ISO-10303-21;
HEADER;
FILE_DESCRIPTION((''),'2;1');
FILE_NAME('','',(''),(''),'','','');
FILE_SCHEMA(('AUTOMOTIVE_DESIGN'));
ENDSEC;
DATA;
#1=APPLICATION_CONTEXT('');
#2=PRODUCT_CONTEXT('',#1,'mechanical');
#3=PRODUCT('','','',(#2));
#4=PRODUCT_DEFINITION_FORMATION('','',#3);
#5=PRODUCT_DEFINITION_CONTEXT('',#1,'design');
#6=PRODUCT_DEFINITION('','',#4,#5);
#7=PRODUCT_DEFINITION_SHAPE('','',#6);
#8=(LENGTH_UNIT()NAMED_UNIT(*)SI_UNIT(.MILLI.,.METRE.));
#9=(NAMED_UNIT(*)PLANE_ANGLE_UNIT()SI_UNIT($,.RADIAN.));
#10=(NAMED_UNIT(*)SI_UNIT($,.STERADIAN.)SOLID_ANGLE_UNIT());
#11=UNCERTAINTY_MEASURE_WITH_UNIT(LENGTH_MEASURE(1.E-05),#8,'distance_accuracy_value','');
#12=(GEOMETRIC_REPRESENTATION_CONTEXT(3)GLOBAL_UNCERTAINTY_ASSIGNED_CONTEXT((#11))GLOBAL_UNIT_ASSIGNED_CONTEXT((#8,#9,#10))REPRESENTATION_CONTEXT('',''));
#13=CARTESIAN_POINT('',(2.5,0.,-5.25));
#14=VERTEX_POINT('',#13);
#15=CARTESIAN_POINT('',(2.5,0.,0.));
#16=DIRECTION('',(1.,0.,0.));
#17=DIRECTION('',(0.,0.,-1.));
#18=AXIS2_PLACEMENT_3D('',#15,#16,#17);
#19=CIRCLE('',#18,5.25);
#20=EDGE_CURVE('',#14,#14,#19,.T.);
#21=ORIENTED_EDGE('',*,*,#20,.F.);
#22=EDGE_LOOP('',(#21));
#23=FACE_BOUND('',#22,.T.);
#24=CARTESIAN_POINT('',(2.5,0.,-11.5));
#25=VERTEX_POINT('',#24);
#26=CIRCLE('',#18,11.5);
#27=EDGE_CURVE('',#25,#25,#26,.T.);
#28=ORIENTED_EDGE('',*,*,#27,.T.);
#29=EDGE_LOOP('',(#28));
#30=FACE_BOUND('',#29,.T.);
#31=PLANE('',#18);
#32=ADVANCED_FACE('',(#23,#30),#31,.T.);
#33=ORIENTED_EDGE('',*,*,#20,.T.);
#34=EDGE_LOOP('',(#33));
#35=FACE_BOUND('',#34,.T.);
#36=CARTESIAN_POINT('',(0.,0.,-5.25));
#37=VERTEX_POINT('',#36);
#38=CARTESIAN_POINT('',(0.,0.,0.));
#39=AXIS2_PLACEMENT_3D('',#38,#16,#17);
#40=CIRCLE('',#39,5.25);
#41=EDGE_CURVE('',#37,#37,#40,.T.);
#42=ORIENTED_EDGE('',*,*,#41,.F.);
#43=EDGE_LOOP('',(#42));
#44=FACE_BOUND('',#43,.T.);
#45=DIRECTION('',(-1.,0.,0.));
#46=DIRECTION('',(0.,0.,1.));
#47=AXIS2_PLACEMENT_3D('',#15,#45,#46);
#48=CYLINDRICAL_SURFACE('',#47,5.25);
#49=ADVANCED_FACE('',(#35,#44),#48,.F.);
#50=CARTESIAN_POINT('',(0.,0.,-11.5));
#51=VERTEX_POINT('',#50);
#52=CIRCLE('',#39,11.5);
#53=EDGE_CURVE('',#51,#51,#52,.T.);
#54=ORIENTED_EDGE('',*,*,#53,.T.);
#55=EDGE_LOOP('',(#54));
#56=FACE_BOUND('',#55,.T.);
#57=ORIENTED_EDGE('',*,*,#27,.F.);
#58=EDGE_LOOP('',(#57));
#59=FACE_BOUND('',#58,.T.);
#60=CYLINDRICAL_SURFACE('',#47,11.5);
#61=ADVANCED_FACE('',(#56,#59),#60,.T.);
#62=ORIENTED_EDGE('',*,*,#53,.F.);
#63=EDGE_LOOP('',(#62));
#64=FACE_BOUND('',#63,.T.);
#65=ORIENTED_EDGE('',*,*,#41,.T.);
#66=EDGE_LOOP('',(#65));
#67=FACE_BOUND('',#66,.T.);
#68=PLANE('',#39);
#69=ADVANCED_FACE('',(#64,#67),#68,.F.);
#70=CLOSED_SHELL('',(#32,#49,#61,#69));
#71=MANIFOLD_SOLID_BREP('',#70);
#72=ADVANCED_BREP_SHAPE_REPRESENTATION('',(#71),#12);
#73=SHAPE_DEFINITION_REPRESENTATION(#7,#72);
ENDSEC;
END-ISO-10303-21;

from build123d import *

# Parameters (mm, degrees)
SKETCH1_R          = 11.5
SKETCH1_R_2        = 5.25
BASE_EXTRUDE_DEPTH = 2.5


with BuildPart() as part:
    # Sketch1 → Base-Extrude (new body)
    with BuildSketch(Plane(origin=(0, 0, 0), x_dir=(0, 0, -1), z_dir=(1, 0, 0))):
        Circle(SKETCH1_R)
        Circle(SKETCH1_R_2, mode=Mode.SUBTRACT)
    extrude(amount=BASE_EXTRUDE_DEPTH)


solid = part.part
